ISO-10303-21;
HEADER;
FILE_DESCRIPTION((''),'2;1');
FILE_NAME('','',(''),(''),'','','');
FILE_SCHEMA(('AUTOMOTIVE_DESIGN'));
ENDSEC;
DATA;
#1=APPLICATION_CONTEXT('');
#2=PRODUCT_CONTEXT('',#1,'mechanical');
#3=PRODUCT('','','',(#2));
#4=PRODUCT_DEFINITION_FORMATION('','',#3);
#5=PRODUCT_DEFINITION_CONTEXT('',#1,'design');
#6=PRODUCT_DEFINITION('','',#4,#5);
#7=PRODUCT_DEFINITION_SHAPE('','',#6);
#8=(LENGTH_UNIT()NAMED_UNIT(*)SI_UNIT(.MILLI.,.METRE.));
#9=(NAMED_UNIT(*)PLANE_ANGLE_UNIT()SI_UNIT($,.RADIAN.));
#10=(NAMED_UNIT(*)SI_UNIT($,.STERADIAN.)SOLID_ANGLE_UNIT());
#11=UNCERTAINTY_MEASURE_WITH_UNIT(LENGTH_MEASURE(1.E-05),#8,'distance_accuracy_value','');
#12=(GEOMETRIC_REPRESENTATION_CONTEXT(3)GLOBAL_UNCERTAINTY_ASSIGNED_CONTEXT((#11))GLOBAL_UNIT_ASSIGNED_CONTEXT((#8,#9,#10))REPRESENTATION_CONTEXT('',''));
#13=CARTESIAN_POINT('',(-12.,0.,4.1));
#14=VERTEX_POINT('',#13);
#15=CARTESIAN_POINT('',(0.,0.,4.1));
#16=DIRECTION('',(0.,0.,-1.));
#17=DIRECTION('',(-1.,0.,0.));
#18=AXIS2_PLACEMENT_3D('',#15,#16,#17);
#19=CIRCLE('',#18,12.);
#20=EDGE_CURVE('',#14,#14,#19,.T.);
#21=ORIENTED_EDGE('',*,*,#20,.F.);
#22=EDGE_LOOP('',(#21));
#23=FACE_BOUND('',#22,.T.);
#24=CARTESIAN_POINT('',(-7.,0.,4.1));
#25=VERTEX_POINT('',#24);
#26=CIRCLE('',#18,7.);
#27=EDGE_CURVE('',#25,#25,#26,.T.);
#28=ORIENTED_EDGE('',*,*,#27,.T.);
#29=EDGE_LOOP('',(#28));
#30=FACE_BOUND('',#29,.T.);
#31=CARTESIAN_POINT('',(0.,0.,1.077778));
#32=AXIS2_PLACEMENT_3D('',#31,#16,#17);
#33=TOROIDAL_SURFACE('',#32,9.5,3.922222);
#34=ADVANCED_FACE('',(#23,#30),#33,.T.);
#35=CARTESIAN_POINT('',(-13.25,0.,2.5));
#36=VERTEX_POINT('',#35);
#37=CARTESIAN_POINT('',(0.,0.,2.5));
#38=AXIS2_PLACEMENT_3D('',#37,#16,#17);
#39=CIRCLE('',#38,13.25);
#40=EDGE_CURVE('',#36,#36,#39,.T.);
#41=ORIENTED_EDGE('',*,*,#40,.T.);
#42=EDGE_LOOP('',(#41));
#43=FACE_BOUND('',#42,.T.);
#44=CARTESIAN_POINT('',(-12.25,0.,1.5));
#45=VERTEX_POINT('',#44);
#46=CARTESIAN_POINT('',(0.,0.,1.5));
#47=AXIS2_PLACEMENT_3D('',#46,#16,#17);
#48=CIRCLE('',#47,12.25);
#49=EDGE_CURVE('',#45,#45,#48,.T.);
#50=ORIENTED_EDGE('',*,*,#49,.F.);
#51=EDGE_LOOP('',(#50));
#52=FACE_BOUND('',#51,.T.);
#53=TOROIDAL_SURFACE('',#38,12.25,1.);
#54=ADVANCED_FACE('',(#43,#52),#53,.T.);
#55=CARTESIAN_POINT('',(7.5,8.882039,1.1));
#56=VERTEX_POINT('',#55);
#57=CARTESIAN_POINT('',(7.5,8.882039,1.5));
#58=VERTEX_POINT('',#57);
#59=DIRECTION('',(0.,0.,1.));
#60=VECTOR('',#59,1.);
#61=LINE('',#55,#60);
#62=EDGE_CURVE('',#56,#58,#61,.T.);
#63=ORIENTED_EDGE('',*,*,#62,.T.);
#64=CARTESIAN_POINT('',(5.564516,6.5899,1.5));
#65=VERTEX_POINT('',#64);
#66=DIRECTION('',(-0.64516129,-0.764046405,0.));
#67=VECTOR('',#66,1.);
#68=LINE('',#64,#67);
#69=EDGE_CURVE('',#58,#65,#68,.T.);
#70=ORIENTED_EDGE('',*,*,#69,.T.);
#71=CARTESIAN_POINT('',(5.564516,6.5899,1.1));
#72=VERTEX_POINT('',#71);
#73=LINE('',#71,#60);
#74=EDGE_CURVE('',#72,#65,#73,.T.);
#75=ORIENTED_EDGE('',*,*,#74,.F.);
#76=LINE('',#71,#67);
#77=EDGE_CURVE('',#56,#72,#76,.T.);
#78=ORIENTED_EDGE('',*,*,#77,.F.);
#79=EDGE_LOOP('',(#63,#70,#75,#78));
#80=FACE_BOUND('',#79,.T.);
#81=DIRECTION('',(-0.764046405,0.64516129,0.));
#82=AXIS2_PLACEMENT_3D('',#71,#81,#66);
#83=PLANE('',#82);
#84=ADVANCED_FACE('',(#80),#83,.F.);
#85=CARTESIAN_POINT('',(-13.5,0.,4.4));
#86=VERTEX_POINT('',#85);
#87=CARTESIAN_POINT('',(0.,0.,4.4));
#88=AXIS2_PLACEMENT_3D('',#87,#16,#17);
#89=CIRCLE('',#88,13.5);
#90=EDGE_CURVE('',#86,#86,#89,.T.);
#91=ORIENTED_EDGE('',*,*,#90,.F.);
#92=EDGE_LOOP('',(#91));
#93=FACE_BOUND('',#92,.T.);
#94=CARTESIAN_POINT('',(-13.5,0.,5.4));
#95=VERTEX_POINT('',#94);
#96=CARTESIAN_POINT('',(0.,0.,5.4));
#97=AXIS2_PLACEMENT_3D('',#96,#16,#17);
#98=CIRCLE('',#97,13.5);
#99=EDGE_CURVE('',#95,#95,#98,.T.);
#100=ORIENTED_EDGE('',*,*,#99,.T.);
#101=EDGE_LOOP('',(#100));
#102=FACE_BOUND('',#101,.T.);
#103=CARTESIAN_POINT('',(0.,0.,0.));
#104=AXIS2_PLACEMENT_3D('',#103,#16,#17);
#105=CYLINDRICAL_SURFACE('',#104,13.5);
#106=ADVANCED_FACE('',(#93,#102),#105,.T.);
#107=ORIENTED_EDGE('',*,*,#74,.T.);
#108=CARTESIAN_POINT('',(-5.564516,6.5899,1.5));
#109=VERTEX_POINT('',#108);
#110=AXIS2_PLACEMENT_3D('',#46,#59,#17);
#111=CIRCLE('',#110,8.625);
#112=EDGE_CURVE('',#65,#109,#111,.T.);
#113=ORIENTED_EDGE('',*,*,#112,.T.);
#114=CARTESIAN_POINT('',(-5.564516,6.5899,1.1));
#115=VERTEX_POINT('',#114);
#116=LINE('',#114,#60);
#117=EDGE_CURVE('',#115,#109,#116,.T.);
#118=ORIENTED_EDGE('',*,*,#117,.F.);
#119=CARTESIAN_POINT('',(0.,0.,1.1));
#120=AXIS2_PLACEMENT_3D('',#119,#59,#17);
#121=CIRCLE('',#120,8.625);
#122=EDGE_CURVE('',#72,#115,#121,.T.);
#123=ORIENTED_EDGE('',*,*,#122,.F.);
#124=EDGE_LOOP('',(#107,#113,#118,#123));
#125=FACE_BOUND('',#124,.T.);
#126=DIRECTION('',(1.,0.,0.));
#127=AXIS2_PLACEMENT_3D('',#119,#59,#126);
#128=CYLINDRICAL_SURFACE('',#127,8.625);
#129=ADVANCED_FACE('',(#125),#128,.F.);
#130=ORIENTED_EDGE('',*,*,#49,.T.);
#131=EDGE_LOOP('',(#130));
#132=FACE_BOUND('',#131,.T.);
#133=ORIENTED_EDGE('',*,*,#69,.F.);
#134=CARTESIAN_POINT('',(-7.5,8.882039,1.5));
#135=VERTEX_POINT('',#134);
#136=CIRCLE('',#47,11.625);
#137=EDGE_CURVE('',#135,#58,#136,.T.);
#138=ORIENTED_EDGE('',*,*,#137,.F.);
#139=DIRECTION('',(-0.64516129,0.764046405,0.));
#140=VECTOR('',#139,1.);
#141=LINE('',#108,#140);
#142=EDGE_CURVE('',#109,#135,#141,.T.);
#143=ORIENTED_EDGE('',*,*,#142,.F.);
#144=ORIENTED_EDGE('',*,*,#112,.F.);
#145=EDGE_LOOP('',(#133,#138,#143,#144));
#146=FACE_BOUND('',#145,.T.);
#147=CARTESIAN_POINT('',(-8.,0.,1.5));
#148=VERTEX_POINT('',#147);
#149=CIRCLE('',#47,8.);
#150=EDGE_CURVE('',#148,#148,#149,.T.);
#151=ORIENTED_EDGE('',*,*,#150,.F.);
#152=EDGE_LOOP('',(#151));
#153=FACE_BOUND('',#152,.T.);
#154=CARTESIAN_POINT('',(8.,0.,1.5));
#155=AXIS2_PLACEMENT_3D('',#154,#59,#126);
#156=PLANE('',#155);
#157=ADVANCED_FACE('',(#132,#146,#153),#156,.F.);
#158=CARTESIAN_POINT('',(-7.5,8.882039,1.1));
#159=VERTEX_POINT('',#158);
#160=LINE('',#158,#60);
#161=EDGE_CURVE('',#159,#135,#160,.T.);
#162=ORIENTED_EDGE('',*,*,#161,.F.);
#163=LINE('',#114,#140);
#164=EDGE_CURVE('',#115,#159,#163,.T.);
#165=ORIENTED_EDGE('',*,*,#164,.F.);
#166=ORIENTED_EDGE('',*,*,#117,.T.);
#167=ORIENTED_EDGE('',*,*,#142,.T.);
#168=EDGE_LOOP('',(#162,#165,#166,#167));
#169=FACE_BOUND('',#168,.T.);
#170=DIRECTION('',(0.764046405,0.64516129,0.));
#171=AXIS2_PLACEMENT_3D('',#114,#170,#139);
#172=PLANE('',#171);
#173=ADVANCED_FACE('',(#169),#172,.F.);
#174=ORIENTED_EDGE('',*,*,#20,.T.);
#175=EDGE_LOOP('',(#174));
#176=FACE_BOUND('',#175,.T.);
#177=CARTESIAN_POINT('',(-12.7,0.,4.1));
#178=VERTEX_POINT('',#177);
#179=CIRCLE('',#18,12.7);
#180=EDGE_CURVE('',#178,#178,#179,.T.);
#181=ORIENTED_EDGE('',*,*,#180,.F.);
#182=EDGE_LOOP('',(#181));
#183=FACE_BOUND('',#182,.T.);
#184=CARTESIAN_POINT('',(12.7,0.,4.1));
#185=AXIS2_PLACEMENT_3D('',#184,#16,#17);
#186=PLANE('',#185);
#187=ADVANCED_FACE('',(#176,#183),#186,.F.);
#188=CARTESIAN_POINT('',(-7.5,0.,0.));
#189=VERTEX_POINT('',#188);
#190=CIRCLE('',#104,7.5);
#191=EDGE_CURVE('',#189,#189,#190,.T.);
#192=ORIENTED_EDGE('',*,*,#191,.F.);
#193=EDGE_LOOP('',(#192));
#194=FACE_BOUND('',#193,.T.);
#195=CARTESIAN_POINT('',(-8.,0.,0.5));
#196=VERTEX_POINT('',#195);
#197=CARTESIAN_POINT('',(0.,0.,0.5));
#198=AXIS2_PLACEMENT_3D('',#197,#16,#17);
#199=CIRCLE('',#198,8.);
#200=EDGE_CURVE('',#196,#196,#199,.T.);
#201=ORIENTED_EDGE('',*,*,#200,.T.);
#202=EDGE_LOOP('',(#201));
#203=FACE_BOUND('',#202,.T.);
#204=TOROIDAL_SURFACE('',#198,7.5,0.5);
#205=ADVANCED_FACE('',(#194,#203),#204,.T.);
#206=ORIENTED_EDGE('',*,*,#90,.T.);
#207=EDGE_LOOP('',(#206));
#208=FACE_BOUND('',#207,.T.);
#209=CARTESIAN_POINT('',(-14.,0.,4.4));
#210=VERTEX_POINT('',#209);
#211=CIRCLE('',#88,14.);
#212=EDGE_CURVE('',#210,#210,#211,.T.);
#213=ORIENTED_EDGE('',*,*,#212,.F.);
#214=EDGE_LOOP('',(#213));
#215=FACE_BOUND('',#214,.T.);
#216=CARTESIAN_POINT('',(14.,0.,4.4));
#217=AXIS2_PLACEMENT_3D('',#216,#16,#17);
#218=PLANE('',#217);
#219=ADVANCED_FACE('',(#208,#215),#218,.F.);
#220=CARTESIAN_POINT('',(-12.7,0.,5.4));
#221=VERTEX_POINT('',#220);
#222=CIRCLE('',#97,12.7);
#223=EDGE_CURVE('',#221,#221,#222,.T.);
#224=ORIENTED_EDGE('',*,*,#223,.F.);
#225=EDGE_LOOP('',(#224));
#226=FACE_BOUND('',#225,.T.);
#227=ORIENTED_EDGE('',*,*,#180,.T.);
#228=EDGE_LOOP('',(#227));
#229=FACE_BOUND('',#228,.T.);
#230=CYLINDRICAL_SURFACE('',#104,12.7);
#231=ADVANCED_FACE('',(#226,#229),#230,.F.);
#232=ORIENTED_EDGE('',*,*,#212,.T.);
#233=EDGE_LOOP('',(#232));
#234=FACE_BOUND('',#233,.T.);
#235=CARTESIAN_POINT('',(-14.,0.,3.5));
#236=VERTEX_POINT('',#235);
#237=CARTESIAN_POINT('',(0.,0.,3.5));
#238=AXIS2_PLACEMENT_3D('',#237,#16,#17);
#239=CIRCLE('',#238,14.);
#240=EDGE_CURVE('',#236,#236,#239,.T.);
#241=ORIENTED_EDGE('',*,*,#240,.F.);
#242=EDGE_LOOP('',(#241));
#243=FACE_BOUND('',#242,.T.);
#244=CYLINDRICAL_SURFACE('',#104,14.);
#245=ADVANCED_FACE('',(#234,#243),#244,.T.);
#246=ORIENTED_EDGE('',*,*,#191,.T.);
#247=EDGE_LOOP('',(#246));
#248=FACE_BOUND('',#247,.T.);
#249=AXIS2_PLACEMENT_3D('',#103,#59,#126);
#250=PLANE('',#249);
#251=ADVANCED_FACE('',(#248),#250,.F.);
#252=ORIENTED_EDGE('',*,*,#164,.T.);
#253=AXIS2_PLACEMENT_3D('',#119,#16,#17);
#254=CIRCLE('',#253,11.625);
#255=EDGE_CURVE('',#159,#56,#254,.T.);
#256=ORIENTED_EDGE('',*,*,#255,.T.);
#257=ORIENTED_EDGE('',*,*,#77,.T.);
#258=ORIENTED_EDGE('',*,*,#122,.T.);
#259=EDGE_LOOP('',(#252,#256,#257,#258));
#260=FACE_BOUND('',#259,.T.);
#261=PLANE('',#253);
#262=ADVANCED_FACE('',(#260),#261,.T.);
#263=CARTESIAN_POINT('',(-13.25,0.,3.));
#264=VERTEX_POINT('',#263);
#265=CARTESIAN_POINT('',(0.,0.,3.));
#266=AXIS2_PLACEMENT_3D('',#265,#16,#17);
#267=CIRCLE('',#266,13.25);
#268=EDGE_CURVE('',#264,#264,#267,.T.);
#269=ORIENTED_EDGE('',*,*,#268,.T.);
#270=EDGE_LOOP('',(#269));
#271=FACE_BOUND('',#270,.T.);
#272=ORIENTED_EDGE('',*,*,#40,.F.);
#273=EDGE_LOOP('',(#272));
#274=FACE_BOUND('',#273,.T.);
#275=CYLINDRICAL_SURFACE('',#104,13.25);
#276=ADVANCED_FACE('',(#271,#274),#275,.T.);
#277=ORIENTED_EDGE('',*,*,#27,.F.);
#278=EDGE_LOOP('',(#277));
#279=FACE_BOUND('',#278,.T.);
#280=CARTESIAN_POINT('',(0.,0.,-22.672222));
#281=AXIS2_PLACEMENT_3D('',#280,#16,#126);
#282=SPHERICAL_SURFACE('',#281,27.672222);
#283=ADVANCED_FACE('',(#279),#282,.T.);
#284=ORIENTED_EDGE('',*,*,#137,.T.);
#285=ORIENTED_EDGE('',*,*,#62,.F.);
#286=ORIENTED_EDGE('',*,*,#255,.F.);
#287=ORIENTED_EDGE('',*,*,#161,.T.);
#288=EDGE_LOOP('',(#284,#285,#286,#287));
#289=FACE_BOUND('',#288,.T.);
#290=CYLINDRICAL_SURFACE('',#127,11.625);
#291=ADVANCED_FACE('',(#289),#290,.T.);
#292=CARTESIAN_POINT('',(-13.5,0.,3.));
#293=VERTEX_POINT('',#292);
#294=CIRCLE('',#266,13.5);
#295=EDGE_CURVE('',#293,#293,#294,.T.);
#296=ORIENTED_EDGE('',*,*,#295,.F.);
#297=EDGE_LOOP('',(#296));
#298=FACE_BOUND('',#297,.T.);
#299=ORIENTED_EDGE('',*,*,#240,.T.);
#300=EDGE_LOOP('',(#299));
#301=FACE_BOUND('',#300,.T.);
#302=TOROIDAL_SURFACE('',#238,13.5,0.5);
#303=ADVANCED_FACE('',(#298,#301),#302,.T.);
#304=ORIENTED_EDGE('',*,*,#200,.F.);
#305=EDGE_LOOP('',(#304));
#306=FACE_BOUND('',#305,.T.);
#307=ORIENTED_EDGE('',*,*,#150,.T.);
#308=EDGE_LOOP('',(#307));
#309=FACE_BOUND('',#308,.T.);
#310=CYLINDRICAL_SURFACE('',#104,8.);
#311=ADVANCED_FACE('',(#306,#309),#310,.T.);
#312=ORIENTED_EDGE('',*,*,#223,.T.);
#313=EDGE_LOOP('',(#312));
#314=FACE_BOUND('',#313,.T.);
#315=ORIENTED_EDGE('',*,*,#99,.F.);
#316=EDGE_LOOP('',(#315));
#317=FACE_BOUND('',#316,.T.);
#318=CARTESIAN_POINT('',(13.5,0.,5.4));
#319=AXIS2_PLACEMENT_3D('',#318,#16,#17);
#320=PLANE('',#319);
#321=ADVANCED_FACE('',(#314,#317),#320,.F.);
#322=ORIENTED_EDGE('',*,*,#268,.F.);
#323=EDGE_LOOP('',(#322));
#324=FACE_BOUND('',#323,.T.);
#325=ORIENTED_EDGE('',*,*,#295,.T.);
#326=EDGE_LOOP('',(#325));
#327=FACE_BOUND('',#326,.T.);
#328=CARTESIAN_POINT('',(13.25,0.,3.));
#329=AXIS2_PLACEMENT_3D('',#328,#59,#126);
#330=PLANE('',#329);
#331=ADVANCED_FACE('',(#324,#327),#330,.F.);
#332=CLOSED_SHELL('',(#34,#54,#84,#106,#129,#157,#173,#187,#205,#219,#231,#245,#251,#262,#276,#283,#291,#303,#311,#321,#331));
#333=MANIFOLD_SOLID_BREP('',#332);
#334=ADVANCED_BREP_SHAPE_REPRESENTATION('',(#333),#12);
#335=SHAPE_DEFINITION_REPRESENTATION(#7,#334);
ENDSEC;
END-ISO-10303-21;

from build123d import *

# Parameters (mm, degrees)
EXTRUDE_2_DEPTH = 0.4


with BuildPart() as part:
    # Эскиз1 → Повернуть2 (revolve)
    with BuildSketch(Plane(origin=(0, 0, 0), x_dir=(1, 0, 0), z_dir=(0, 1, 0))):
        with BuildLine():
            Line((0, 0), (7.5, 0))
            ThreePointArc((7.5, 0), (7.853553391, -0.146446609), (8, -0.5))
            Line((8, -0.5), (8, -1.5))
            Line((8, -1.5), (12.25, -1.5))
            ThreePointArc((12.25, -1.5), (12.957106781, -1.792893219), (13.25, -2.5))
            Line((13.25, -2.5), (13.25, -3))
            Line((13.25, -3), (13.5, -3))
            ThreePointArc((13.5, -3), (13.853553391, -3.146446609), (14, -3.5))
            Line((14, -3.5), (14, -4.4))
            Line((14, -4.4), (13.5, -4.4))
            Line((13.5, -4.4), (13.5, -5.4))
            Line((13.5, -5.4), (12.7, -5.4))
            Line((12.7, -5.4), (12.7, -4.1))
            Line((12.7, -4.1), (12, -4.1))
            ThreePointArc((12, -4.1), (9.5, -5), (7, -4.1))
            ThreePointArc((7, -4.1), (3.528809998, -4.77407776), (0, -5))
            Line((0, -5), (0, 0))
        make_face()
    revolve(axis=Axis((0, 0, 0), (0, 0, 1)))

    # Эскиз2 → Бобышка-Вытянуть2 (add)
    with BuildSketch(Plane(origin=(0, 0, 1.5), x_dir=(-1, 0, 0), z_dir=(0, 0, -1))):
        with BuildLine():
            Line((-5.564516129, 6.589900246), (-7.5, 8.882039462))
            ThreePointArc((-7.5, 8.882039462), (0, 11.625), (7.5, 8.882039462))
            Line((7.5, 8.882039462), (5.564516129, 6.589900246))
            ThreePointArc((5.564516129, 6.589900246), (0, 8.625), (-5.564516129, 6.589900246))
        make_face()
    extrude(amount=EXTRUDE_2_DEPTH)


solid = part.part
